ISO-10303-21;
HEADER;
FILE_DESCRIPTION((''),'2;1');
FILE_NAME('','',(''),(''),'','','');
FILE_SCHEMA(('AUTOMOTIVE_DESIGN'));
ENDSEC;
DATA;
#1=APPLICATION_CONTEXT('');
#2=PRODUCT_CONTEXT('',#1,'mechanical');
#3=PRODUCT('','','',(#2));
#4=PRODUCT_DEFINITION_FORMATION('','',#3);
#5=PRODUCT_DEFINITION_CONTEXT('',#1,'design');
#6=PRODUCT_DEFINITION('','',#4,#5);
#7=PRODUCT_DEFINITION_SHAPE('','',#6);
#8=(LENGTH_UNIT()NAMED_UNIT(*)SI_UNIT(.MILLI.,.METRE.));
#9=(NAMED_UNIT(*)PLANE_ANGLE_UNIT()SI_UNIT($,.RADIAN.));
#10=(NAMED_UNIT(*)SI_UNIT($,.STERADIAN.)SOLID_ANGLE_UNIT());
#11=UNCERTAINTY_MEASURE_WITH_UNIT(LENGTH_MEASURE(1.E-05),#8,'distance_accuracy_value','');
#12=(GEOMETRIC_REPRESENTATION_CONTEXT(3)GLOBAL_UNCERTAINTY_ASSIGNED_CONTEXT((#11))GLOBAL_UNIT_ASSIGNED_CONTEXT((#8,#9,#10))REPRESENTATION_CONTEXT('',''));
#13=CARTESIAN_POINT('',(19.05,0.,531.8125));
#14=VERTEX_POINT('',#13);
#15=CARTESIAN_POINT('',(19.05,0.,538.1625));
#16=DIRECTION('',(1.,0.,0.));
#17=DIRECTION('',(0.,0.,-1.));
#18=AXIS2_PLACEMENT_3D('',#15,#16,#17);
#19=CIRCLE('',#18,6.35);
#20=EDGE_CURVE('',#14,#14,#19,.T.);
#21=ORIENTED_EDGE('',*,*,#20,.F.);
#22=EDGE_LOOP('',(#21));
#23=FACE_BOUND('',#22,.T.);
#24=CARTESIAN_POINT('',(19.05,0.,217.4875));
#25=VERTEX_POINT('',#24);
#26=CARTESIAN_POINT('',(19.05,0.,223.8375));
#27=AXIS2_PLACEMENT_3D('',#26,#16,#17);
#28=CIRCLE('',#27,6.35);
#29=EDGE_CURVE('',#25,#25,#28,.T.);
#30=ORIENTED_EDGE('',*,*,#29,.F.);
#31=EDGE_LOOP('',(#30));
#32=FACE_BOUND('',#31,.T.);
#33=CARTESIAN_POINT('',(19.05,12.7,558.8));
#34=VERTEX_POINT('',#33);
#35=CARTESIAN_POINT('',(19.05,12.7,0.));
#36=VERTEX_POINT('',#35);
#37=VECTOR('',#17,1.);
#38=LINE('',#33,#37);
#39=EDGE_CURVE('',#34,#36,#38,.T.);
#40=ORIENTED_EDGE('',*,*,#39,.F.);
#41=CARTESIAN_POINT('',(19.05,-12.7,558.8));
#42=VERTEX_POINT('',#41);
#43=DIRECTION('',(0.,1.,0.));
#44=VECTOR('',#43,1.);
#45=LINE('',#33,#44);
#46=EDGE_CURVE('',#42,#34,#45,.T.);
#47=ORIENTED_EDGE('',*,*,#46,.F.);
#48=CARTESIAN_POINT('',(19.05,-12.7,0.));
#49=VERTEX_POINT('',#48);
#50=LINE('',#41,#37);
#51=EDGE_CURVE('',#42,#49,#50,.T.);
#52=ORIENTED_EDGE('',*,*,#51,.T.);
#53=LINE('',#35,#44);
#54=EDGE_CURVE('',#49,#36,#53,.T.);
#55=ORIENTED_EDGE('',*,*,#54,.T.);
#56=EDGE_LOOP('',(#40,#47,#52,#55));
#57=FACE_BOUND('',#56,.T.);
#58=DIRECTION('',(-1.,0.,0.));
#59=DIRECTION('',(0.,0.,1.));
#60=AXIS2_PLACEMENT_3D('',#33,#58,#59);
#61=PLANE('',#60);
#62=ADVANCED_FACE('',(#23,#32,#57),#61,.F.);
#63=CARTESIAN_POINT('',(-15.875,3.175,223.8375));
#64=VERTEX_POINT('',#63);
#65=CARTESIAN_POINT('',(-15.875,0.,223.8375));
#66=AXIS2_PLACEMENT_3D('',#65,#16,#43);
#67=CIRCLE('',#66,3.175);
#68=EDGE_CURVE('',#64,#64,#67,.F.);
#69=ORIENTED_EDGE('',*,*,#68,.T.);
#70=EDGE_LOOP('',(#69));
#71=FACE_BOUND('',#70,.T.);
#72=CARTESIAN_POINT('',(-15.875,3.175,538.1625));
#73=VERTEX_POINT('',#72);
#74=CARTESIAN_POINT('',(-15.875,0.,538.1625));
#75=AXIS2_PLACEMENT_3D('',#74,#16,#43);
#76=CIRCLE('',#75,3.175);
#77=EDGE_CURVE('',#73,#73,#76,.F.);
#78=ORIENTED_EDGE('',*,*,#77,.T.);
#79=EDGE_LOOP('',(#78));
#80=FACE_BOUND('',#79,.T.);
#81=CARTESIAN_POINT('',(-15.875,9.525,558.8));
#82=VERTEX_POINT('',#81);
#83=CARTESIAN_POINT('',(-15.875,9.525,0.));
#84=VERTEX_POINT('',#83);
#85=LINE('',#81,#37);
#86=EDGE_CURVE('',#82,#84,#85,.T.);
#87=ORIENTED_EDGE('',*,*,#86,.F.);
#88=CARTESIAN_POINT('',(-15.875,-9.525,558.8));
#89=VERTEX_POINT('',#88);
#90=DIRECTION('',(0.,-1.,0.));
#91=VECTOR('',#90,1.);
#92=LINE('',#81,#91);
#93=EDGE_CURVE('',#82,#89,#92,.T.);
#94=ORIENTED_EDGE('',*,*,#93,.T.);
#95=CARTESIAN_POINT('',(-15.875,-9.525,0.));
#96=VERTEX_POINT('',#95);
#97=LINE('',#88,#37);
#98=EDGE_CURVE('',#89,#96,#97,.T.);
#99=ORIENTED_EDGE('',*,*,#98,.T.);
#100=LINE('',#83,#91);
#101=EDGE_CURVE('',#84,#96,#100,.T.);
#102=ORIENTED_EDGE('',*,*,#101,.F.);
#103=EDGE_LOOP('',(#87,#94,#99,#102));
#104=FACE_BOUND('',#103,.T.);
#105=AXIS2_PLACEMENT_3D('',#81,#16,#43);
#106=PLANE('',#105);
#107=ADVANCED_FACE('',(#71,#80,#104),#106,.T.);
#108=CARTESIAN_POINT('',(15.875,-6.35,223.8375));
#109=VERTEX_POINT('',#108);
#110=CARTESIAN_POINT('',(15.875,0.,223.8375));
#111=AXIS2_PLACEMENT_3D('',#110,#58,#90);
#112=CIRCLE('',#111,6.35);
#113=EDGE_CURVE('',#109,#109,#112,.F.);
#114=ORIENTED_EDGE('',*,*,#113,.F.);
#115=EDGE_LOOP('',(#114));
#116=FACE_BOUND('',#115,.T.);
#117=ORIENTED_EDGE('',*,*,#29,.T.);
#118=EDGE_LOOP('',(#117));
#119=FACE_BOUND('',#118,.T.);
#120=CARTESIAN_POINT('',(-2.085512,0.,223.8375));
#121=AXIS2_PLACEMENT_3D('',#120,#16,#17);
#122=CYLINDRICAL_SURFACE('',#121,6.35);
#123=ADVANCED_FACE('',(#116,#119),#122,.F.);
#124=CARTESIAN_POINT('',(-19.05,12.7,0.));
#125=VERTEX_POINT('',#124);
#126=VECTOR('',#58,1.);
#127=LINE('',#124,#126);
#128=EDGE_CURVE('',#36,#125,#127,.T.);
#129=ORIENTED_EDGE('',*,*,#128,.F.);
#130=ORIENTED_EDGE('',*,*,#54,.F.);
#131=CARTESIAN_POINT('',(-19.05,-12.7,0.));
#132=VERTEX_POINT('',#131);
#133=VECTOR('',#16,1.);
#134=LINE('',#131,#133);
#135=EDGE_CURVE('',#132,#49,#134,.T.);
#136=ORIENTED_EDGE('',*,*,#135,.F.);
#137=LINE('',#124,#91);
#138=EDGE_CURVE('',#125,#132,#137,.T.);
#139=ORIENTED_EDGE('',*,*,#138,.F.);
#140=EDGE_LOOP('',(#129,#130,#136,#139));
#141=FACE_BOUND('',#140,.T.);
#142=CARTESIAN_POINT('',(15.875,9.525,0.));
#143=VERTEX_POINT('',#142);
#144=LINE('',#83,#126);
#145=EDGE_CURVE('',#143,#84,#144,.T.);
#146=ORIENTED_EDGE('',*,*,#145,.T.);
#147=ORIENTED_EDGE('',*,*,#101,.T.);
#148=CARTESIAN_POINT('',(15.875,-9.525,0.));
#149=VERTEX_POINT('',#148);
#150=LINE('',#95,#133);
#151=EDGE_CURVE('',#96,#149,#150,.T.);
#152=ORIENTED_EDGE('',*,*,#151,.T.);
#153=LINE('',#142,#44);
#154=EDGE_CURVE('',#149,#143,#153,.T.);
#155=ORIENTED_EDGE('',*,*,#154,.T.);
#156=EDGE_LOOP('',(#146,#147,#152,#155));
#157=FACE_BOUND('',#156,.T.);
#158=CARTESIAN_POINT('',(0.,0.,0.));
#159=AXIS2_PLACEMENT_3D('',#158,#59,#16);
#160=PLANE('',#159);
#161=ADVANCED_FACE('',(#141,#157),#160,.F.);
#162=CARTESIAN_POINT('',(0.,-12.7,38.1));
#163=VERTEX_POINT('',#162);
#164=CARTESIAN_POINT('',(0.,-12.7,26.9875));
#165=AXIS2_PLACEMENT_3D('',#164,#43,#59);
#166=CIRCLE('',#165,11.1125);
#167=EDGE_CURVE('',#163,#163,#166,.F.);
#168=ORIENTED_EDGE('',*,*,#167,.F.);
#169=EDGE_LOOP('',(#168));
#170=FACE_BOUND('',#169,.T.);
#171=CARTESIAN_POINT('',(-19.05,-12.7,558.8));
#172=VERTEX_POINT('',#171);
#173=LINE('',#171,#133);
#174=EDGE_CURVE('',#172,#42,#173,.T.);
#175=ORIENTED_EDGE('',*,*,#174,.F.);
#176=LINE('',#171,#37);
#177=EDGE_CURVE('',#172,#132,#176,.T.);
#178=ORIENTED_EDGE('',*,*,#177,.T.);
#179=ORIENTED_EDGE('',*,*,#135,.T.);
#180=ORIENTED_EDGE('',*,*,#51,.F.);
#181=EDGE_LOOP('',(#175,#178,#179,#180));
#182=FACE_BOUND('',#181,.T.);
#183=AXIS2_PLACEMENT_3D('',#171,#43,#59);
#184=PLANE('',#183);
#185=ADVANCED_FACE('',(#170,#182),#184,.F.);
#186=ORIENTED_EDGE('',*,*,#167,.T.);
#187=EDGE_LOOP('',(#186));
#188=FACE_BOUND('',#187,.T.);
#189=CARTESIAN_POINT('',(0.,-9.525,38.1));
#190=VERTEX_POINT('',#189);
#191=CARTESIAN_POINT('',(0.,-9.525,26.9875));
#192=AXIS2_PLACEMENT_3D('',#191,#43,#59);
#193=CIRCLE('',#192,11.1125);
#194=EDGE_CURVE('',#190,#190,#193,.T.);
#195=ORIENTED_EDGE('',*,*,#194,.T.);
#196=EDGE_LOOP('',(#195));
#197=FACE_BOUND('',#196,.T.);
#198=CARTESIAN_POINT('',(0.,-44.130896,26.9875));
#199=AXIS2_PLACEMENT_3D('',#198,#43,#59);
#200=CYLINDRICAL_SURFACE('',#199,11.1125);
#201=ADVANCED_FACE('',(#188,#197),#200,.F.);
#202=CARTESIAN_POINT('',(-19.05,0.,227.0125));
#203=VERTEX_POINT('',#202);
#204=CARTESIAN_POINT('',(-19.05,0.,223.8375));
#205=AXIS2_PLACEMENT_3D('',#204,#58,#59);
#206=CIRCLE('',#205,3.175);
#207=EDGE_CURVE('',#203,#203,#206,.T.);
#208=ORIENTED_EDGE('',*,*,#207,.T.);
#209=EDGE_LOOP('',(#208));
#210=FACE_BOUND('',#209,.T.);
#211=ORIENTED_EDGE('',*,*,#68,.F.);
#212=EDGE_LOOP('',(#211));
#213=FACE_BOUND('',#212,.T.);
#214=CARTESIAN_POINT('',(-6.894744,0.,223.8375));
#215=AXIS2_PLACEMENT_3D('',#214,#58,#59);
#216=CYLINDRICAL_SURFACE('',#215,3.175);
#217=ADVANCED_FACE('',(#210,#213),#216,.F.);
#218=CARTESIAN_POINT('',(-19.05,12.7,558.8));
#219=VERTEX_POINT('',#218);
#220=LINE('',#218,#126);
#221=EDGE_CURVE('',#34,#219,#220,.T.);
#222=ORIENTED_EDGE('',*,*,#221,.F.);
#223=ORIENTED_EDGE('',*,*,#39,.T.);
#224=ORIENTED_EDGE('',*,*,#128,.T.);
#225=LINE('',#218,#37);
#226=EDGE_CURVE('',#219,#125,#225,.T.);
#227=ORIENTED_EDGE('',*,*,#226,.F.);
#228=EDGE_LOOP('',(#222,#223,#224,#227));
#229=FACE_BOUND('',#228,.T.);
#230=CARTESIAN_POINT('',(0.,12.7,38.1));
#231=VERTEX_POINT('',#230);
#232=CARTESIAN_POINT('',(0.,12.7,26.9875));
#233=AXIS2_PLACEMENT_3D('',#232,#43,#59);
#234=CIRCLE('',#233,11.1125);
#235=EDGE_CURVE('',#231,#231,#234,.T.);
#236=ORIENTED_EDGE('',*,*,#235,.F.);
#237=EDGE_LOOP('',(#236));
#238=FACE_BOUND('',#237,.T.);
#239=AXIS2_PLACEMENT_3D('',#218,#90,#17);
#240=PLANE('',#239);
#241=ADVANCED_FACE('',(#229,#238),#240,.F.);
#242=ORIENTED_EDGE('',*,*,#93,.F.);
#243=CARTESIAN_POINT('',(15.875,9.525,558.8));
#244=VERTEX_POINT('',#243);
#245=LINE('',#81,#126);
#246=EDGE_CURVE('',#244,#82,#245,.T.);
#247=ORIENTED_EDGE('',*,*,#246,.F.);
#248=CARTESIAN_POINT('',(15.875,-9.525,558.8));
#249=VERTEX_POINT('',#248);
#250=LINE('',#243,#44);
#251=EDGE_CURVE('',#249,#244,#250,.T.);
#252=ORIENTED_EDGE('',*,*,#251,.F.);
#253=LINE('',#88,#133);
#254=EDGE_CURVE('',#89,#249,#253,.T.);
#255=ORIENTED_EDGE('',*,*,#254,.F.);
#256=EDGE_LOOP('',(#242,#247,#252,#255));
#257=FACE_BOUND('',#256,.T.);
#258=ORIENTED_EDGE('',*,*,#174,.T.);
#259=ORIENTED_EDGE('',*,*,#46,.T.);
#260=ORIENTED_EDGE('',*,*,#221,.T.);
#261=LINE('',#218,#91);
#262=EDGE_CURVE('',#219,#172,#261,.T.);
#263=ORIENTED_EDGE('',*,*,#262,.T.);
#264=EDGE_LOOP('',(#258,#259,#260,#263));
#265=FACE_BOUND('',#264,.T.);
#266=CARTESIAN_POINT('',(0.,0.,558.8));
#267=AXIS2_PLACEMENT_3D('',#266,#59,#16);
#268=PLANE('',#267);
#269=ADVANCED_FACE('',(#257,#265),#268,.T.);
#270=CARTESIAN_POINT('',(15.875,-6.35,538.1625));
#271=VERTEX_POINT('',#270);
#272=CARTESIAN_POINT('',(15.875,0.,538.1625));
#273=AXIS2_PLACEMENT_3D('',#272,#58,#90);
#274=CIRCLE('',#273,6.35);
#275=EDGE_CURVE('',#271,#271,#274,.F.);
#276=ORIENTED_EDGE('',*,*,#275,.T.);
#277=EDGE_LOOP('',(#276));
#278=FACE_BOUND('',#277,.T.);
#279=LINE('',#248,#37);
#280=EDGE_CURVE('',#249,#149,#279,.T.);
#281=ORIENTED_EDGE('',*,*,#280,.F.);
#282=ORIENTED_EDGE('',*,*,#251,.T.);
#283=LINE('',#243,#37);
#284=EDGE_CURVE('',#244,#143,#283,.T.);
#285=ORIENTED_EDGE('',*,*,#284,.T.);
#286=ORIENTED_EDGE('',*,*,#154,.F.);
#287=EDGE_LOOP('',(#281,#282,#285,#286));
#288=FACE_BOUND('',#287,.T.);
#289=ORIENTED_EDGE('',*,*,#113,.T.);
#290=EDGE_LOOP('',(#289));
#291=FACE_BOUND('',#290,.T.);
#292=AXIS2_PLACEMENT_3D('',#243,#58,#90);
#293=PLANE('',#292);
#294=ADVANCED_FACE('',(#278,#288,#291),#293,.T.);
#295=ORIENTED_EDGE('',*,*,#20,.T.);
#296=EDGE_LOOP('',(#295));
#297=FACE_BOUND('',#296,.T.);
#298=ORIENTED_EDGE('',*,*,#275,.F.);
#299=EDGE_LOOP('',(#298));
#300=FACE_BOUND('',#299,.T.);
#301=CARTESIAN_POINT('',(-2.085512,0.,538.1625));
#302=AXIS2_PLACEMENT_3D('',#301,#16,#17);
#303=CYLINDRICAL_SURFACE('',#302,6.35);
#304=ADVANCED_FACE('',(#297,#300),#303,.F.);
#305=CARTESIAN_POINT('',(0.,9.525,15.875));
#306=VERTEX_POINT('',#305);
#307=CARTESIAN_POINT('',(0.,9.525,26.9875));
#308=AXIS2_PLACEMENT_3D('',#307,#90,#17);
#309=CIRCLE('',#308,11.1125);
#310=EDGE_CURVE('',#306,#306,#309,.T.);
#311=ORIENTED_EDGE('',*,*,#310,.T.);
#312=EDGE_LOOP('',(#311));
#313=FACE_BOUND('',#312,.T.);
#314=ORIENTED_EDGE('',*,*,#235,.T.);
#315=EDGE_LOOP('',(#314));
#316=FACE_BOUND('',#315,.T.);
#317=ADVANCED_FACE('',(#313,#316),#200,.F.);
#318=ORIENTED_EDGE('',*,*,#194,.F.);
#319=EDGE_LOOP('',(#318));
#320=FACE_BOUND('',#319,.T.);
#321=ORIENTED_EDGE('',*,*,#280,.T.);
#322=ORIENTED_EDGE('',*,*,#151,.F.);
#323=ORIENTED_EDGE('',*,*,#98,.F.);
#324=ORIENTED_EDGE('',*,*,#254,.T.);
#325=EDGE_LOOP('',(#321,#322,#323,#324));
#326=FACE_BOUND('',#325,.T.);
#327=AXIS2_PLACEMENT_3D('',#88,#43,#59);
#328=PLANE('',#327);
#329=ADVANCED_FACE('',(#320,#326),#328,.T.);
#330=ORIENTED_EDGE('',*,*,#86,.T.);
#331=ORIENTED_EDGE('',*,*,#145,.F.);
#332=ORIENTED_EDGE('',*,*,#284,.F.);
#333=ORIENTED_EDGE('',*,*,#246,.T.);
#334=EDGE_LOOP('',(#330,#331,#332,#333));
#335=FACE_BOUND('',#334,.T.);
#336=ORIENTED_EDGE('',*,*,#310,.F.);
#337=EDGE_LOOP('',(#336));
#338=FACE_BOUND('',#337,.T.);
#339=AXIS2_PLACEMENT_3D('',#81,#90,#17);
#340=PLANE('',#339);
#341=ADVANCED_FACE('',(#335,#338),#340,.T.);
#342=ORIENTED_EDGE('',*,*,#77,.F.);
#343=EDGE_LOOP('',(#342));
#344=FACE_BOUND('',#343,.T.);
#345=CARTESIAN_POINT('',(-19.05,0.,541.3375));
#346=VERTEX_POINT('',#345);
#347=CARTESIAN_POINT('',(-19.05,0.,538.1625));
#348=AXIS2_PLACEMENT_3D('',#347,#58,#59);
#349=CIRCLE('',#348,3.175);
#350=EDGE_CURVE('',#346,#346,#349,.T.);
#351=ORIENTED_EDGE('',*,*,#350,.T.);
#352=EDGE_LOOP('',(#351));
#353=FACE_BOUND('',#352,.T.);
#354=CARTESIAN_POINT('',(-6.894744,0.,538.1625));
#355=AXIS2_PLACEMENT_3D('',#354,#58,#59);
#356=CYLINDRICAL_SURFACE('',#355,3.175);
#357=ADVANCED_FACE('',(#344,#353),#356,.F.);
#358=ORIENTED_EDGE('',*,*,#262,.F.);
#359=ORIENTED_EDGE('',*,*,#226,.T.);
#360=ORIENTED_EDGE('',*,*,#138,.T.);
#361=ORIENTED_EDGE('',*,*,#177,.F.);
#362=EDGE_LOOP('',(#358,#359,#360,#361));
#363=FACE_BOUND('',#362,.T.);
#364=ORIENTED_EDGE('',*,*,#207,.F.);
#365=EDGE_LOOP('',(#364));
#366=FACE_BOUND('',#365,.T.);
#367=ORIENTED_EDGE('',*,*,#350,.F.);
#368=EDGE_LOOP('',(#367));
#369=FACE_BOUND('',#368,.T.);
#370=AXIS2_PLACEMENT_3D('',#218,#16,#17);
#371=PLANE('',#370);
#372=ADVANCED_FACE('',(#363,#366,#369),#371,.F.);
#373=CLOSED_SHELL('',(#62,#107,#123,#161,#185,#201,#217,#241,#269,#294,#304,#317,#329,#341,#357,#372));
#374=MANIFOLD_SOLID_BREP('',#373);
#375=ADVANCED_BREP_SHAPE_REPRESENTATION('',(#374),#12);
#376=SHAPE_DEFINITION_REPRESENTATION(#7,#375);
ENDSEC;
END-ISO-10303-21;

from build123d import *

# Parameters (mm, degrees)
SKETCH1_W           = 38.1
SKETCH1_H           = 25.4
SKETCH1_W_2         = 31.75
SKETCH1_H_2         = 19.05
BOSS_EXTRUDE1_DEPTH = 558.8
CUT_EXTRUDE1_REACH  = 561.701
SKETCH2_R           = 11.1125
SKETCH3_R           = 3.175
CUT_EXTRUDE2_DEPTH  = 3.175
SKETCH4_R           = 6.35
CUT_EXTRUDE3_DEPTH  = 3.175


with BuildPart() as part:
    # Sketch1 → Boss-Extrude1 (new body)
    with BuildSketch(Plane.XY):
        Rectangle(SKETCH1_W, SKETCH1_H)
        Rectangle(SKETCH1_W_2, SKETCH1_H_2, mode=Mode.SUBTRACT)
    extrude(amount=BOSS_EXTRUDE1_DEPTH)

    # Cut-Extrude1: up to this face of the body (flat: up to its plane)
    cut_extrude1_end = Plane(part.part.faces().sort_by_distance((0, -12.7, 279.4))[0])
    # Sketch2 → Cut-Extrude1 (cut, up to the picked face)
    with BuildSketch(Plane(origin=(0, 12.7, 0), x_dir=(1, 0, 0), z_dir=(0, 1, 0)), mode=Mode.PRIVATE) as cut_extrude1_sk1:
        with Locations(Location((0, -26.9875, 0), (0, 0, 270))):
            Circle(SKETCH2_R)
    cut_extrude1_tool1 = split(extrude(cut_extrude1_sk1.sketch, amount=-CUT_EXTRUDE1_REACH, mode=Mode.PRIVATE), bisect_by=cut_extrude1_end, keep=Keep.BOTH, mode=Mode.PRIVATE)
    add(cut_extrude1_tool1.solids().sort_by(Axis((0, 12.7, 26.9875), (0, -1, 0)))[0], mode=Mode.SUBTRACT)

    # Sketch3 → Cut-Extrude2 (cut)
    with BuildSketch(Plane.ZY.offset(19.05)):
        with Locations((538.1625, 0)):
            Circle(SKETCH3_R)
        with Locations((223.8375, 0)):
            Circle(SKETCH3_R)
    extrude(amount=-CUT_EXTRUDE2_DEPTH, mode=Mode.SUBTRACT)

    # Sketch4 → Cut-Extrude3 (cut)
    with BuildSketch(Plane(origin=(19.05, 0, 0), x_dir=(0, 0, -1), z_dir=(1, 0, 0))):
        with Locations((-538.1625, 0)):
            Circle(SKETCH4_R)
        with Locations((-223.8375, 0)):
            Circle(SKETCH4_R)
    extrude(amount=-CUT_EXTRUDE3_DEPTH, mode=Mode.SUBTRACT)


solid = part.part
